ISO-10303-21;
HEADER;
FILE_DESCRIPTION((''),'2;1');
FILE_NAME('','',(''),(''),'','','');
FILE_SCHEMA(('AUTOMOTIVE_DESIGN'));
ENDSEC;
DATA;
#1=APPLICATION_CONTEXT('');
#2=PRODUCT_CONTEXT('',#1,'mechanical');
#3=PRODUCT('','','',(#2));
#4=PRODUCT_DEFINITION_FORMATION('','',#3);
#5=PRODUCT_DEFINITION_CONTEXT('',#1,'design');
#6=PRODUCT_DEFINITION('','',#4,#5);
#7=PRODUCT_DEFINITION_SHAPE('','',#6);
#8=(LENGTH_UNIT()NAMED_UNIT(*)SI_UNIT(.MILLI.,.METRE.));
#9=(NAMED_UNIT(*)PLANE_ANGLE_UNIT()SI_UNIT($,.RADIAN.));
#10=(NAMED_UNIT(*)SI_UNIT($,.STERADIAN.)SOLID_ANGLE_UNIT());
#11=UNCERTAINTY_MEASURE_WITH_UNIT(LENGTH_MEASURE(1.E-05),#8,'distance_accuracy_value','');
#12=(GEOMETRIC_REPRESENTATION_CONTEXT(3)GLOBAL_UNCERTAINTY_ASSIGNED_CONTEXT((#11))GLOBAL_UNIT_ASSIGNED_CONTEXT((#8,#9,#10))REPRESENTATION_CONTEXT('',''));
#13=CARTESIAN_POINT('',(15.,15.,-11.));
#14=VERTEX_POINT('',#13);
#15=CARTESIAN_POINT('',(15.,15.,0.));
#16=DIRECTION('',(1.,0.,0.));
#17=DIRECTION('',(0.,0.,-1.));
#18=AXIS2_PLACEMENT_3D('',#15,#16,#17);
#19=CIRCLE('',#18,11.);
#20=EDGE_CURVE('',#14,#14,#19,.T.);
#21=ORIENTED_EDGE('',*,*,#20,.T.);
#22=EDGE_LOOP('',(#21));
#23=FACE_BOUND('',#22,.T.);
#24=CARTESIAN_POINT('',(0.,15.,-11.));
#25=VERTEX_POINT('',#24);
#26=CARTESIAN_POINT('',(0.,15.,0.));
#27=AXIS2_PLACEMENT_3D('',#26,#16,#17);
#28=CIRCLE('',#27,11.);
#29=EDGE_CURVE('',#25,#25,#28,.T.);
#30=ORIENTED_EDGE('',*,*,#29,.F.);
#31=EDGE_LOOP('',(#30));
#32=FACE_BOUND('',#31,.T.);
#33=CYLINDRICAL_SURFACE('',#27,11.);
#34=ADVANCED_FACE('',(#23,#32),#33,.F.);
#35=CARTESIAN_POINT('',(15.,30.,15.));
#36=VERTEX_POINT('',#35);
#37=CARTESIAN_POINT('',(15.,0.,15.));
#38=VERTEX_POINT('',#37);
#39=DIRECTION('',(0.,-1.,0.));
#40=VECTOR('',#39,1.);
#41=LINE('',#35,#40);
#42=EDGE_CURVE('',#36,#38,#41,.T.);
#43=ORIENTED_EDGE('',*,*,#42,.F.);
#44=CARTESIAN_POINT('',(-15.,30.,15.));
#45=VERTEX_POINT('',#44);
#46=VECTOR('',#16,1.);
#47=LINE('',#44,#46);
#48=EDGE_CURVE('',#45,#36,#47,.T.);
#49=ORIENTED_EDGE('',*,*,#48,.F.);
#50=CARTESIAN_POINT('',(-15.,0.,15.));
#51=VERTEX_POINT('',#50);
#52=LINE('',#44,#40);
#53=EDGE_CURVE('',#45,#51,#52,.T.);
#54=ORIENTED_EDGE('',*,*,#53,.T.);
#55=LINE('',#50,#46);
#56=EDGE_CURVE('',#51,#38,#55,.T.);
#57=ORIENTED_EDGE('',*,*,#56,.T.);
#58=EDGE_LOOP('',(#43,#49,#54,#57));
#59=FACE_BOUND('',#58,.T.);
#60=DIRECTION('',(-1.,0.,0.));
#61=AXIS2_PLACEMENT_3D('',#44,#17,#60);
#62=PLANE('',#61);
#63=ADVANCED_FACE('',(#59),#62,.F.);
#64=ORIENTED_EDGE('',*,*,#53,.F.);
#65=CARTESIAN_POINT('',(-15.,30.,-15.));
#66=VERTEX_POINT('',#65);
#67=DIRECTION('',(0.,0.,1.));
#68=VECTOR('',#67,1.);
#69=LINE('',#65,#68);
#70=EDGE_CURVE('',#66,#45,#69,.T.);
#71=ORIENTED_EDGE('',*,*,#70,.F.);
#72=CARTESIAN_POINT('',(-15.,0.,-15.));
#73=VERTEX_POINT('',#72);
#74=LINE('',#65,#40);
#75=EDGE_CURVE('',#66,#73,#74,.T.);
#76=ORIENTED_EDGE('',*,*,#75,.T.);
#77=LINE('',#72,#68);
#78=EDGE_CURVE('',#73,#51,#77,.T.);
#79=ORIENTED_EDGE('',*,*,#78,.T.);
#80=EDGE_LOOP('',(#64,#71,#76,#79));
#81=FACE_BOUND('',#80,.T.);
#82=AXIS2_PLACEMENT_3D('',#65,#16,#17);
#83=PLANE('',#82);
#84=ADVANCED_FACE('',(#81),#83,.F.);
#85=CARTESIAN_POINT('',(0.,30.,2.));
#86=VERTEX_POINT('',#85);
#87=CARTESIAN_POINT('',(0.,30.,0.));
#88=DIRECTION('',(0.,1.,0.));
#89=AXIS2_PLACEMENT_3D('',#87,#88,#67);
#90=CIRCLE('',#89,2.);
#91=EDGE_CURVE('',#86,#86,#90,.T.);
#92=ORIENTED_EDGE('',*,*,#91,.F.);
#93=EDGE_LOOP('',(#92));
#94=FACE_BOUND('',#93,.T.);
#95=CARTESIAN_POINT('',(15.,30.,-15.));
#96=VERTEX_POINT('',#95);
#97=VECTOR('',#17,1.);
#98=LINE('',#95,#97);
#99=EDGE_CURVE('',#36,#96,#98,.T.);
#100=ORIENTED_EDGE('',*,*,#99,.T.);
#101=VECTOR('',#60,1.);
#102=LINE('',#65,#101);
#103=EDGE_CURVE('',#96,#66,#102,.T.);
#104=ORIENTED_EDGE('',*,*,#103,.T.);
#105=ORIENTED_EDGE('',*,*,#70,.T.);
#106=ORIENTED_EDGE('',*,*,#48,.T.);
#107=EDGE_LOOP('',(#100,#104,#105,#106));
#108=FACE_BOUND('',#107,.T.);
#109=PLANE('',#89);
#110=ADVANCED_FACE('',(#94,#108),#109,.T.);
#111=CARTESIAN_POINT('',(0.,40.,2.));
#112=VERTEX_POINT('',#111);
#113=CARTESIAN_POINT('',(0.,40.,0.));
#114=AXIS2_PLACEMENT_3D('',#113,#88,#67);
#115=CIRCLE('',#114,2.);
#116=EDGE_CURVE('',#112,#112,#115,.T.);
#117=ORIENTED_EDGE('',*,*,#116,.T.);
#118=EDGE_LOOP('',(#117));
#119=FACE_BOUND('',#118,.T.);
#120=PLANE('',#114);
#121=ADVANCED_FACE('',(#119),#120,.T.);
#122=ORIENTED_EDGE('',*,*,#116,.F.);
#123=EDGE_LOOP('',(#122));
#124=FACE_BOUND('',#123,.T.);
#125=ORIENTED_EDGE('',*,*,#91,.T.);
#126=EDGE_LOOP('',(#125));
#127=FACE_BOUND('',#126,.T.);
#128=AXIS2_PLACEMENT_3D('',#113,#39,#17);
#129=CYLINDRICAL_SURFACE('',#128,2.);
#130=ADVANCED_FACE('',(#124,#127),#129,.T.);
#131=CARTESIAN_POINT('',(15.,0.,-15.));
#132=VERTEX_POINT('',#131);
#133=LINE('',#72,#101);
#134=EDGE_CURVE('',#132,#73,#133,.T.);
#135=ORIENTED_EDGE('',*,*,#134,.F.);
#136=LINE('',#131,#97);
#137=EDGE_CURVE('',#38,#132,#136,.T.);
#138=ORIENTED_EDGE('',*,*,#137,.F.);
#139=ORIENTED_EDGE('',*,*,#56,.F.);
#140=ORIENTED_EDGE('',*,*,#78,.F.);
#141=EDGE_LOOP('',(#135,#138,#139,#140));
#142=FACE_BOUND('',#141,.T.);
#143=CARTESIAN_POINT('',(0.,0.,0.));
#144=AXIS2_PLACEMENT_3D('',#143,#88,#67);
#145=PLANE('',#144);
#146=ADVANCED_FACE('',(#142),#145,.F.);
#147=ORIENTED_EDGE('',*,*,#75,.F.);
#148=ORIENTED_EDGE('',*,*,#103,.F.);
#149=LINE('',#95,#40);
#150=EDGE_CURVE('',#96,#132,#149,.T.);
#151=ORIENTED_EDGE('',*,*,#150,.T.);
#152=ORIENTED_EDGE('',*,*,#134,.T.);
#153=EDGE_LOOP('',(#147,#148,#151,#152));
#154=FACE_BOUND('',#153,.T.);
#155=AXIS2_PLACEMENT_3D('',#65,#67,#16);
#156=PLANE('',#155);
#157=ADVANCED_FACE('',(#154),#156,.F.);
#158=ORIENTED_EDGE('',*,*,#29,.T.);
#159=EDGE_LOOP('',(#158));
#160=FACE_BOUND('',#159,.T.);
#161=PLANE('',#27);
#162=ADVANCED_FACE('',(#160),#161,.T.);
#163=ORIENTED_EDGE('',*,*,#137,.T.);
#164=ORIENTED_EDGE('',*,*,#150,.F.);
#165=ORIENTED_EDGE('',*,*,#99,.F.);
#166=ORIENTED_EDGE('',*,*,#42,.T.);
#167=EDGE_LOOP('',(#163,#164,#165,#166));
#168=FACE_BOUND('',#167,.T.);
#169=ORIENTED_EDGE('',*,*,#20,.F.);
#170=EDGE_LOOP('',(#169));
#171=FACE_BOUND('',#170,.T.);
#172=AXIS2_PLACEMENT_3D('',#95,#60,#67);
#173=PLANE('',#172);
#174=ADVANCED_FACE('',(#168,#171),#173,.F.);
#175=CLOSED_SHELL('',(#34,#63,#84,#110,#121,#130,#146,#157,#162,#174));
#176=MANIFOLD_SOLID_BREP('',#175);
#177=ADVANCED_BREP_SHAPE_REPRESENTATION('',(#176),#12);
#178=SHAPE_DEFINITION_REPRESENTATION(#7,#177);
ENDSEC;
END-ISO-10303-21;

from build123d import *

# Parameters (mm, degrees)
SKETCH1_W           = 30
SKETCH1_H           = 30
BOSS_EXTRUDE1_DEPTH = 30
SKETCH2_R           = 11
CUT_EXTRUDE1_DEPTH  = 15
SKETCH3_R           = 2
BOSS_EXTRUDE2_DEPTH = 10


with BuildPart() as part:
    # Sketch1 → Boss-Extrude1 (new body)
    with BuildSketch(Plane(origin=(0, 0, 0), x_dir=(1, 0, 0), z_dir=(0, 1, 0))):
        Rectangle(SKETCH1_W, SKETCH1_H)
    extrude(amount=BOSS_EXTRUDE1_DEPTH)

    # Sketch2 → Cut-Extrude1 (cut)
    with BuildSketch(Plane(origin=(15, 0, 0), x_dir=(0, 0, -1), z_dir=(1, 0, 0))):
        with Locations((0, 15)):
            Circle(SKETCH2_R)
    extrude(amount=-CUT_EXTRUDE1_DEPTH, mode=Mode.SUBTRACT)

    # Sketch3 → Boss-Extrude2 (add)
    with BuildSketch(Plane(origin=(0, 30, 0), x_dir=(1, 0, 0), z_dir=(0, 1, 0))):
        with Locations(Location((0, 0, 0), (0, 0, 270))):
            Circle(SKETCH3_R)
    extrude(amount=BOSS_EXTRUDE2_DEPTH)


solid = part.part
